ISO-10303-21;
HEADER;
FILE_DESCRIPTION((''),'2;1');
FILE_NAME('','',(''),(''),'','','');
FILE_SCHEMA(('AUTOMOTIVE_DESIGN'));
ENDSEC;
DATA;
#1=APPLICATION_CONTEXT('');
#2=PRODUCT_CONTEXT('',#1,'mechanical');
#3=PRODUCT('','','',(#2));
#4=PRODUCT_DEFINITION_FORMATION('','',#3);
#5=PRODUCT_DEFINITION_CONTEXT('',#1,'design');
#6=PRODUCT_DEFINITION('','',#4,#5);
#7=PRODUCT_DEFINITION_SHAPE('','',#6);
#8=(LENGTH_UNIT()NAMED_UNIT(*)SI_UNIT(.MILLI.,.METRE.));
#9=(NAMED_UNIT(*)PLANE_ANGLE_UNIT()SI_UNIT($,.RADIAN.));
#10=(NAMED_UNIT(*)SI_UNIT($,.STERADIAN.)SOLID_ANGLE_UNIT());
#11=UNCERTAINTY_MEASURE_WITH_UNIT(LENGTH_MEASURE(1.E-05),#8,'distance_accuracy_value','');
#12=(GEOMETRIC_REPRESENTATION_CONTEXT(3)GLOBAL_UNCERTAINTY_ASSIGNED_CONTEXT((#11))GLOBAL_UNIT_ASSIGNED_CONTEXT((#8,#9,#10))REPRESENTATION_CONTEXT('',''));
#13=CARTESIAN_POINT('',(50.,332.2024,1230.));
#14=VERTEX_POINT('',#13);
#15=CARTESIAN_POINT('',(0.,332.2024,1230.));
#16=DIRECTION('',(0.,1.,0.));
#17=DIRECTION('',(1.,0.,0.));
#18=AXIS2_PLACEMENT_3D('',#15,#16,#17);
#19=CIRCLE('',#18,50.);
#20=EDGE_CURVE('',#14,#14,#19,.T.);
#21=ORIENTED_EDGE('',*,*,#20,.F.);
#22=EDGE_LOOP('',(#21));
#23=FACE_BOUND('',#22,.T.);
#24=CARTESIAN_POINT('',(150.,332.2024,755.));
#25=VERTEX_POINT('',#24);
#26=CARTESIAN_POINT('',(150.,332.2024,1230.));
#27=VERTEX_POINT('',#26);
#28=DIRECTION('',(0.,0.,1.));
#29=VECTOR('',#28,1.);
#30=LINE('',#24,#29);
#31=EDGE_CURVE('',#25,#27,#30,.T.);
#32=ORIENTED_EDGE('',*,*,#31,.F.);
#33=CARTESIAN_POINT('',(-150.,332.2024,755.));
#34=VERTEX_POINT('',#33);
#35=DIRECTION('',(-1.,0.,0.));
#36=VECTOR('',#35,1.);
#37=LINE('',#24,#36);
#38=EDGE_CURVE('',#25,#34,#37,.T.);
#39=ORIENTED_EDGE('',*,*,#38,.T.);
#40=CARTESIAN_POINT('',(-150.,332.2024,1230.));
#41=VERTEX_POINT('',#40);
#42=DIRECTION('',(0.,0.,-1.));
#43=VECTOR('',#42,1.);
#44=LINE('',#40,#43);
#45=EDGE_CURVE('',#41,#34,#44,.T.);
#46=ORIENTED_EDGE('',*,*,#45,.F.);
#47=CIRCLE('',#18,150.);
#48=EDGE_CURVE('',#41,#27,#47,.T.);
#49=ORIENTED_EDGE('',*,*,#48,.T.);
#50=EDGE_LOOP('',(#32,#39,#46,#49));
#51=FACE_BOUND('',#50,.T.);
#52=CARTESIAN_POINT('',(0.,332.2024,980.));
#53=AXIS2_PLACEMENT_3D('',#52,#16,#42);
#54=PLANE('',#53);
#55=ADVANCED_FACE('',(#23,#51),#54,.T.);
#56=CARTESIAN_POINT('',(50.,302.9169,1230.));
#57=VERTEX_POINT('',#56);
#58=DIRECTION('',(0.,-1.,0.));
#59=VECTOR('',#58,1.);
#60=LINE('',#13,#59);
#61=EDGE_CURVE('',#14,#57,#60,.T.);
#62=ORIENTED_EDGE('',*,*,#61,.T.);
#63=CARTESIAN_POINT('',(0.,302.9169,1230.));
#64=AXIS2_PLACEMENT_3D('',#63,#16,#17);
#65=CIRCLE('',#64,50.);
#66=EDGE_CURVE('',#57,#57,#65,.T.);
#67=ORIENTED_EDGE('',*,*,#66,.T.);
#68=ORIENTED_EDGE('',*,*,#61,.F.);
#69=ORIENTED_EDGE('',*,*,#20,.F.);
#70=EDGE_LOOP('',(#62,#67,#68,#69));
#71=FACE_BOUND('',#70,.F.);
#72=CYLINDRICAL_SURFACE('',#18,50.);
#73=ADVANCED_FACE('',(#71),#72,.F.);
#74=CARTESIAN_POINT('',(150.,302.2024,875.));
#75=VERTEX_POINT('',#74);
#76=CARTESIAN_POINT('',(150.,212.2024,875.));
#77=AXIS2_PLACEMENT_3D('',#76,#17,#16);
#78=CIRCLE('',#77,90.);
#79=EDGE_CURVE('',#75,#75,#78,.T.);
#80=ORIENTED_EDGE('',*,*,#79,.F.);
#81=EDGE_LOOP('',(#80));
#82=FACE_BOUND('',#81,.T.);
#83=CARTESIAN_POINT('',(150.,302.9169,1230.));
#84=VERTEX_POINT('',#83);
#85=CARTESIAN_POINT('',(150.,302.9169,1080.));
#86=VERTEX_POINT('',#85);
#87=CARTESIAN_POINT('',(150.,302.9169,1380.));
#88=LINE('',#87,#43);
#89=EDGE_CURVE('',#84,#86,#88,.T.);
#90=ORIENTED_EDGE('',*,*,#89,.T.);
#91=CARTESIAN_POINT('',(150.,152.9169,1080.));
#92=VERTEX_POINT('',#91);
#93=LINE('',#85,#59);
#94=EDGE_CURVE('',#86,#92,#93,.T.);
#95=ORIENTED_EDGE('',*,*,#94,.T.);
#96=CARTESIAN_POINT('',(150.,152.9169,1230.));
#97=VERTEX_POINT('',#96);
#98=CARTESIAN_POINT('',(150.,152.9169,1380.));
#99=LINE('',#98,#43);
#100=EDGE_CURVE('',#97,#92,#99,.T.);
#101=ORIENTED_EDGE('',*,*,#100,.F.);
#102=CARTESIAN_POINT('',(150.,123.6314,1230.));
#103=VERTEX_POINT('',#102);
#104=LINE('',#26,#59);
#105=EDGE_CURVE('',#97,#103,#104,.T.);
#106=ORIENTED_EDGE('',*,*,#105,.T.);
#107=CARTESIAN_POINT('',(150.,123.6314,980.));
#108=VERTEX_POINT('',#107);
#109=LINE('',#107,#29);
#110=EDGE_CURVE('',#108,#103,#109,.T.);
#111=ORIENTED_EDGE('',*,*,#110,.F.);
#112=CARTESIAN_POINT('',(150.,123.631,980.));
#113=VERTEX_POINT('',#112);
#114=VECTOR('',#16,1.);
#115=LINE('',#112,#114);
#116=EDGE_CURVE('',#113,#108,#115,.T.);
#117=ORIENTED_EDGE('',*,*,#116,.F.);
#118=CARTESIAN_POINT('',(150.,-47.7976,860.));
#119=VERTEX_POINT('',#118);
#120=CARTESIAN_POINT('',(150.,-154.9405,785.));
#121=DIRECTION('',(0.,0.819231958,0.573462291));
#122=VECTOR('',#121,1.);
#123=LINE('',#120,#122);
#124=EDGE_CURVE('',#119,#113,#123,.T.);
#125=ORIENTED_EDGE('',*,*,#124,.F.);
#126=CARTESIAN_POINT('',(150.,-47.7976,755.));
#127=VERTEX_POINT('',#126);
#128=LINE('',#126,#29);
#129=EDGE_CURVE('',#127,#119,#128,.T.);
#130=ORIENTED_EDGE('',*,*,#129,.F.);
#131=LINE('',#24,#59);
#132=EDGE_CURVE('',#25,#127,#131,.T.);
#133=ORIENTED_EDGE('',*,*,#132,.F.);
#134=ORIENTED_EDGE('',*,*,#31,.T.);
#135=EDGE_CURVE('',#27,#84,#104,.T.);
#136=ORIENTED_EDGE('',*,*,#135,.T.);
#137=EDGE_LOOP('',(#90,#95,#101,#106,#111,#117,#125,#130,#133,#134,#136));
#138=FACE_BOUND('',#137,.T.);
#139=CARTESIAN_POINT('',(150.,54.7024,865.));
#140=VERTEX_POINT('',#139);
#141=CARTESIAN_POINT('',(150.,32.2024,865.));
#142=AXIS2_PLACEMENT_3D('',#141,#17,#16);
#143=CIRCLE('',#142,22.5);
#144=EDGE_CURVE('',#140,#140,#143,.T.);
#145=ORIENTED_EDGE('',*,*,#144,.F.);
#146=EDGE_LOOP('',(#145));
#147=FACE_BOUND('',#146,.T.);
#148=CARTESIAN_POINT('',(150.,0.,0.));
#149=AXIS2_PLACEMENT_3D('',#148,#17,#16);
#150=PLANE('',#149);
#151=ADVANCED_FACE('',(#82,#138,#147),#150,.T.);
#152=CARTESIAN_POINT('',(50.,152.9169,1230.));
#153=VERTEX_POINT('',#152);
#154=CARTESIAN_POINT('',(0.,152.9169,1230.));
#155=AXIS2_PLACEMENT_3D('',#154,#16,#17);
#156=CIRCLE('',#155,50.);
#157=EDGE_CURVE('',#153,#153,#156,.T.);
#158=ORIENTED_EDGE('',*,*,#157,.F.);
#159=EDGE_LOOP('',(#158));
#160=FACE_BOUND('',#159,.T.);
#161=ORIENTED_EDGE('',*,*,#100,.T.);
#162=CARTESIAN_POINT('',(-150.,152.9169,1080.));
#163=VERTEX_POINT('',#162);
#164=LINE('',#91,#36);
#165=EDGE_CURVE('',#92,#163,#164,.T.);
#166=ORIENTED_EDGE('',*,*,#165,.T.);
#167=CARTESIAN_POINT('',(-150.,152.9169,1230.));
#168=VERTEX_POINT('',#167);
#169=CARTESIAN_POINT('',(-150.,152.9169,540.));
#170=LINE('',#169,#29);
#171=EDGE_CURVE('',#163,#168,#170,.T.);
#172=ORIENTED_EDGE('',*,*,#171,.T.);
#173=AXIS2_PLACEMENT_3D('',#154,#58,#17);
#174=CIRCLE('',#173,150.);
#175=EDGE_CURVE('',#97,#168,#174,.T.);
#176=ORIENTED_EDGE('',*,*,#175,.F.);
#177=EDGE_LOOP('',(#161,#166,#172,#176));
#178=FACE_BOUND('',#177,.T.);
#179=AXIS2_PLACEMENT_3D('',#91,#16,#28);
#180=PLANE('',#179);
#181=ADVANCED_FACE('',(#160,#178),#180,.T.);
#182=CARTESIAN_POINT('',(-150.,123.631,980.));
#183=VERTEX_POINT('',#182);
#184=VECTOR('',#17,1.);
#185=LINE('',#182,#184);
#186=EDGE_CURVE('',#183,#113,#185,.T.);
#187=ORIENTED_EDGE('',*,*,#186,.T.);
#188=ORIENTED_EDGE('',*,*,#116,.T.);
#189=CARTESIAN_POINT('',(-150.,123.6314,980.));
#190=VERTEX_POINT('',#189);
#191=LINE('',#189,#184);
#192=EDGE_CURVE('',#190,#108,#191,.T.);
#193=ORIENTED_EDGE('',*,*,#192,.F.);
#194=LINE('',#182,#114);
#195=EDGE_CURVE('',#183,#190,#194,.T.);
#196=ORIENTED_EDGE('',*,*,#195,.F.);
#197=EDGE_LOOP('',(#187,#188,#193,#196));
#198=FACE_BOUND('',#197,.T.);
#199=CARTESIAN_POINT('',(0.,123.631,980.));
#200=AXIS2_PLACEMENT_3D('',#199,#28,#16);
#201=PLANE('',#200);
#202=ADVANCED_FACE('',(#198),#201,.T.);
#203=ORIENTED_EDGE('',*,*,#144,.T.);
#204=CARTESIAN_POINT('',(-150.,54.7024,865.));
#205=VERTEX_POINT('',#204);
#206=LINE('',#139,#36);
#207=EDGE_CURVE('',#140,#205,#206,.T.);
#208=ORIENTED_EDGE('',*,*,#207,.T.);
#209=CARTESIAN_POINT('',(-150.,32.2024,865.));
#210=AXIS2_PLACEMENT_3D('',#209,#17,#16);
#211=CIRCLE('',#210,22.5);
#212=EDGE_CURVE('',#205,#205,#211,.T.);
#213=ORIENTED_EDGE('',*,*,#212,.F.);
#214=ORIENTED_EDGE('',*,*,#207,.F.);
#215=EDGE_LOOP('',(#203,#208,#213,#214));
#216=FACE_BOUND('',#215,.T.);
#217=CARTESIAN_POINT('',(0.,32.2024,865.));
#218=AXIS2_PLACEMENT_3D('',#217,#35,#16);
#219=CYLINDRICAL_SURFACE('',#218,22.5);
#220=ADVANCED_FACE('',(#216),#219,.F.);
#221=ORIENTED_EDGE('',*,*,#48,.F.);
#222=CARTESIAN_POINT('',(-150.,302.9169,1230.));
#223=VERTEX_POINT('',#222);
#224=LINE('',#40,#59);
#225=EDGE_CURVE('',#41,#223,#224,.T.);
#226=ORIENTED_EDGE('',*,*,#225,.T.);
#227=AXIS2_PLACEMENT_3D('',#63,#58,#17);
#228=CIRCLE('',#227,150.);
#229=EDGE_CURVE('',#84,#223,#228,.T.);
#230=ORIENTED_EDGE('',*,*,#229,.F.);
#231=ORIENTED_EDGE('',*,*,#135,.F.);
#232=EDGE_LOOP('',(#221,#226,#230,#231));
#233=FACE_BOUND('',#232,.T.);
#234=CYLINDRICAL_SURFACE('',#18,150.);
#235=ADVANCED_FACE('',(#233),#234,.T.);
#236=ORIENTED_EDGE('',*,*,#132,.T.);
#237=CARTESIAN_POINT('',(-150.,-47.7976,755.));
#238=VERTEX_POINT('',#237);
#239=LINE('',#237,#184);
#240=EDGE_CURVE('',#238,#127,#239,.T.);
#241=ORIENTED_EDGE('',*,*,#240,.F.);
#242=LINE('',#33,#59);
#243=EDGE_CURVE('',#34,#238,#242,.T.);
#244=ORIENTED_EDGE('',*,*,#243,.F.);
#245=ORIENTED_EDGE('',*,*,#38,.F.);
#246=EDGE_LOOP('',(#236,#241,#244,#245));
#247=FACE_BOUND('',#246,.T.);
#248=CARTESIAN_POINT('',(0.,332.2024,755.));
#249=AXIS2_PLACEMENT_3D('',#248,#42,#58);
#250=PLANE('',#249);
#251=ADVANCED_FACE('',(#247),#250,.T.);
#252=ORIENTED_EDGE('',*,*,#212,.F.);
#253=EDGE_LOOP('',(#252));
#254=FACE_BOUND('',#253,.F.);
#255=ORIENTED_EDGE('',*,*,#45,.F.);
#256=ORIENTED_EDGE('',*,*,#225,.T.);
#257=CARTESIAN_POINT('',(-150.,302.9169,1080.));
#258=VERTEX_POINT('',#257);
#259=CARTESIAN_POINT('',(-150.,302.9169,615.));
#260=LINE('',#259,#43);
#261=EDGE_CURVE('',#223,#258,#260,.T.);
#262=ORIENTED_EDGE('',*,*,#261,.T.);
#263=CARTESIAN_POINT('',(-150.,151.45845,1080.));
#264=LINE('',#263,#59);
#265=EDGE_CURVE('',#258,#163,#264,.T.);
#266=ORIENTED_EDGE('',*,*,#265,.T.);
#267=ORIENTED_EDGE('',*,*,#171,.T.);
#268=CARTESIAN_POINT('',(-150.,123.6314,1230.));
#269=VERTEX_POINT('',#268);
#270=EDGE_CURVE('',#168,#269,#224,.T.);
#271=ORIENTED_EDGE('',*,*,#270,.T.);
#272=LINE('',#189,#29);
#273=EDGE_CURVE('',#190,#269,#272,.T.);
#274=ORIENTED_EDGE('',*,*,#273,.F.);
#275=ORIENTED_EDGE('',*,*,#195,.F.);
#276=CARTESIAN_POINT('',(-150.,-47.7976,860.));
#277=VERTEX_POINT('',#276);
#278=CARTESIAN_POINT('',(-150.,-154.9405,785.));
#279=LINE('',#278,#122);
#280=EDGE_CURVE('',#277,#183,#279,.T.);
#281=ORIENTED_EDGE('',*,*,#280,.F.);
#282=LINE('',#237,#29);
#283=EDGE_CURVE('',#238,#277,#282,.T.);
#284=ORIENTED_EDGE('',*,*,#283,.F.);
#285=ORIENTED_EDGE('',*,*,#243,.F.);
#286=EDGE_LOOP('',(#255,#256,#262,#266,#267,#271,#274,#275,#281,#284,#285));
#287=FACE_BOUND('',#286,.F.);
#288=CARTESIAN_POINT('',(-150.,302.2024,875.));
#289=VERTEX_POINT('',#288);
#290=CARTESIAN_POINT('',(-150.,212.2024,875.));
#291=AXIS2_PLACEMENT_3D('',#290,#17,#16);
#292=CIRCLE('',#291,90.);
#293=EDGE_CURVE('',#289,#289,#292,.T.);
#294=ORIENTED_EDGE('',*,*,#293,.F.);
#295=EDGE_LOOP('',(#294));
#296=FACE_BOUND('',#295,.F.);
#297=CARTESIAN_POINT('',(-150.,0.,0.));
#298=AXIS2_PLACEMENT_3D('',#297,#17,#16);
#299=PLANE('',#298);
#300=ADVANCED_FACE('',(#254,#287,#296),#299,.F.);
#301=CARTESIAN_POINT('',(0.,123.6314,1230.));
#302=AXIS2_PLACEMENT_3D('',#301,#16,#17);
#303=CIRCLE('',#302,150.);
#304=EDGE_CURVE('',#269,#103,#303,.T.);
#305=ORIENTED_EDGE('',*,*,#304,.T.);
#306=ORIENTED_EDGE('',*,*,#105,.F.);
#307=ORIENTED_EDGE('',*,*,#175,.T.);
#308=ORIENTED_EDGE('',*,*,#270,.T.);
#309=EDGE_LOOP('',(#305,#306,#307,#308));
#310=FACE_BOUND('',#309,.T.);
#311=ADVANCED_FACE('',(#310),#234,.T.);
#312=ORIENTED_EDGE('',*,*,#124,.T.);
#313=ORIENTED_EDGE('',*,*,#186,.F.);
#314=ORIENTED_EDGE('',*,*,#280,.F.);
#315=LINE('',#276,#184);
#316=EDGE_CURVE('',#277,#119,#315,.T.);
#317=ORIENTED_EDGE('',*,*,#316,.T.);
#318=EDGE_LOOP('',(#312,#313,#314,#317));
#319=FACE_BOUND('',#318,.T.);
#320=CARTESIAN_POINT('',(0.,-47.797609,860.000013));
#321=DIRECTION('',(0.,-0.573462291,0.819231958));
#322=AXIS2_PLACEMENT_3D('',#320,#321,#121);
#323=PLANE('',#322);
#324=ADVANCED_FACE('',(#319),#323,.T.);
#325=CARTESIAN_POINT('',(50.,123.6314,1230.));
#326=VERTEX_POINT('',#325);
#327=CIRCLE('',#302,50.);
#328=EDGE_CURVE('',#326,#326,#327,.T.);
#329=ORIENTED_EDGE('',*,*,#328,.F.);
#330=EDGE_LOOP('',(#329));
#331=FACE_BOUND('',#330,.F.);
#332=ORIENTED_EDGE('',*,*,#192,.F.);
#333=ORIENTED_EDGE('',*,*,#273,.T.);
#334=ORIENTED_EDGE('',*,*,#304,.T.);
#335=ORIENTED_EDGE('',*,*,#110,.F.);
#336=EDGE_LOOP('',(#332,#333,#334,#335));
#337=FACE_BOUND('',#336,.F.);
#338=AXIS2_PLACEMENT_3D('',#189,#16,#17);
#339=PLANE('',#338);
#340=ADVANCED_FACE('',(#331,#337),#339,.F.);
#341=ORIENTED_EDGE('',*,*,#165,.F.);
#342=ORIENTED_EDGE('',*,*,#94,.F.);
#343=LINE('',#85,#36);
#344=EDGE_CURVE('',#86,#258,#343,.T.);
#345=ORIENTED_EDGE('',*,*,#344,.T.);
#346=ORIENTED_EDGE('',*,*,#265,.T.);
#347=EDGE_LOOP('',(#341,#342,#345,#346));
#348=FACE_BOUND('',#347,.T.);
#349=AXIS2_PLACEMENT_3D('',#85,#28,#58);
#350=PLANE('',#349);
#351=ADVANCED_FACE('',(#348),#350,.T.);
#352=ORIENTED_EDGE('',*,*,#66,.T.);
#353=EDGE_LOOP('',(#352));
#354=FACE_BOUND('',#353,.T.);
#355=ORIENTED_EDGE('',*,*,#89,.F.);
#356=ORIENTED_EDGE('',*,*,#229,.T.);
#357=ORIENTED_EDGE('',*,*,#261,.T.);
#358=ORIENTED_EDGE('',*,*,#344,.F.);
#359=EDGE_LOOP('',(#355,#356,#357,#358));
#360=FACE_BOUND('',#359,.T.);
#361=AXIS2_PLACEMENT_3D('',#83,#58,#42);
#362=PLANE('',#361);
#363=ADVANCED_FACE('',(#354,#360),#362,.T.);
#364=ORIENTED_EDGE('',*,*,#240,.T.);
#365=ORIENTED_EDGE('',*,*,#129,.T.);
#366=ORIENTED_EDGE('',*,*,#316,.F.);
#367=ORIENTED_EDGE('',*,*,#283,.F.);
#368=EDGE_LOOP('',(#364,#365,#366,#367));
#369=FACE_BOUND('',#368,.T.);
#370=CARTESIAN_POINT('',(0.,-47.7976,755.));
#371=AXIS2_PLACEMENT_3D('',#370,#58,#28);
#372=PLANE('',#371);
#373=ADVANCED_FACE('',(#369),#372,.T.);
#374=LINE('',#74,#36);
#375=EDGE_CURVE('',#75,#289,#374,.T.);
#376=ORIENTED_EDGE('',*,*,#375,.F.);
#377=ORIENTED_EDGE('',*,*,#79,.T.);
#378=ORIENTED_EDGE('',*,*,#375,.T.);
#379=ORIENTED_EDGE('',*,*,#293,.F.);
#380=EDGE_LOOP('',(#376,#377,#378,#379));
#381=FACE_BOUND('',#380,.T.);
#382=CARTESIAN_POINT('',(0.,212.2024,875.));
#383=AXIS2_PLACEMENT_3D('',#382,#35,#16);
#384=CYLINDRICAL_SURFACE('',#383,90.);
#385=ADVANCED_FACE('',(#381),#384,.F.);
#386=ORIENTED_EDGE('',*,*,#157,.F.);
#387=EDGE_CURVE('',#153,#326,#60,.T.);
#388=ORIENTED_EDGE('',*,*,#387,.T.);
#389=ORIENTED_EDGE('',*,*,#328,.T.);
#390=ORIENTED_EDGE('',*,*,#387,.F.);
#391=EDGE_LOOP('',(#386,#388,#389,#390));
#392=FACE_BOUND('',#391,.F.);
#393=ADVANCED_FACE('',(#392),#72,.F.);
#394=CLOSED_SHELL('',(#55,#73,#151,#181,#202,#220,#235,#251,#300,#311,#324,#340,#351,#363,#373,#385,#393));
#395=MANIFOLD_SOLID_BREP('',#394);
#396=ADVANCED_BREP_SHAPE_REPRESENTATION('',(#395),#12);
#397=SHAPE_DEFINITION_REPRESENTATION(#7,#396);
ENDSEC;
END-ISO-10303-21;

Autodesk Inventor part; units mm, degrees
ref_plane "YZ Plane" through (0, 0, 0) normal (1, 0, 0) x (0, 1, 0)
ref_plane "XZ Plane" through (0, 0, 0) normal (0, 1, 0) x (-1, 0, 0)
ref_plane "XY Plane" through (0, 0, 0) normal (0, 0, 1) x (1, 0, 0)
sketch "草圖1" plane through (0, 0, 0) normal (1, 0, 0) x (0, 1, 0)
  circle A0 centre (212.2024, 875) radius 90
  line L0 (152.2024, 1000) -> (352.2024, 1000)
  line L1 (352.2024, 1000) -> (352.2024, 785)
  circle A1 centre (32.2024, 865) radius 22.5
  line L2 (-154.9405, 785) -> (152.2024, 1000)
  line L3 (352.2024, 735) -> (352.2024, 1000)
  line L4 (-226.369, 735) -> (352.2024, 735)
  line L5 (152.2024, 1000) -> (-226.369, 735)
  line L6 (123.631, 980) -> (332.2024, 980)
  line L7 (332.2024, 980) -> (332.2024, 755)
  line L8 (332.2024, 755) -> (-47.7976, 755)
  line L9 (-47.7976, 755) -> (-47.7976, 860)
  line L10 (-47.7976, 860) -> (123.631, 980)
  circle A2 centre (212.2024, 875) radius 90
  circle A3 centre (32.2024, 865) radius 22.5
  point P0 (0, 0)
  dimension "d8" = 20
  dimension "d9" = 20
  dimension "d10" = 20
  dimension "d11" = 400
extrude "擠出1" add sketch "草圖1" along normal mid plane 300 contours L6 L7 L8 L9 L2
sketch "草圖2" plane through (-150, 332.2024, 980) normal (0, 1, 0) x (1, 0, 0)
  line L0 (0, 0) -> (300, 0) projected
  line L1 (300, 225) -> (300, 0) projected
  line L2 (300, 225) -> (0, 225) projected
  line L3 (0, 0) -> (0, 225) projected
  circle A0 centre (150, -250) radius 50
  circle A1 centre (150, -250) radius 150
  line L4 (0, 0) -> (300, 0) projected
  line L5 (0, 0) -> (0, -250)
  line L6 (300, 225) -> (300, 0) projected
  line L7 (300, 0) -> (300, -250)
  point P0 (150, 980)
  point P1 (150, 0)
  dimension "d14" = 250
  dimension "d15" = 100
extrude "擠出2" add sketch "草圖2" against normal blind 208.571 contours L0 L7 A1 L5 | A1
sketch "草圖3" plane through (150, 0, 0) normal (1, 0, 0) x (0, 0, -1)
  line L0 (-1230, 332.2024) -> (-1230, 332.2024) projected
  line L1 (-1230, 332.2024) -> (-1230, 123.6314) projected
  line L2 (-1230, 123.6314) -> (-1230, 123.6314) projected
  line L3 (-1230, 332.2024) -> (-1230, 123.6314) projected
  line L4 (-755, 332.2024) -> (-1230, 332.2024) projected
  line L5 (-1230, 332.2024) -> (-1230, 123.6314) projected
  line L6 (-980, 123.6314) -> (-1230, 123.6314) projected
  line L7 (-980, 123.6314) -> (-980, 123.631) projected
  line L8 (-980, 123.631) -> (-860, -47.7976) projected
  line L9 (-860, -47.7976) -> (-755, -47.7976) projected
  line L10 (-755, -47.7976) -> (-755, 332.2024) projected
  circle A0 centre (-875, 212.2024) radius 90 projected
  circle A1 centre (-865, 32.2024) radius 22.5 projected
  line L11 (-1380, 302.9169) -> (-1080, 302.9169)
  line L12 (-1080, 302.9169) -> (-1080, 152.9169)
  line L13 (-1080, 152.9169) -> (-1380, 152.9169)
  line L14 (-1380, 152.9169) -> (-1380, 302.9169)
  line L15 (-1380, 332.2024) -> (-1380, 123.6314) projected
  line L16 (-1380, 123.6314) -> (-1230, 123.6314) projected
  line L17 (-1230, 332.2024) -> (-1380, 332.2024) projected
  point P0 (0, 0)
  point P1 (-1380, 227.9169)
  point P2 (-1230, 227.9169)
  dimension "d18" = 150
  dimension "d19" = 300
extrude "擠出3" cut sketch "草圖3" against normal through all contours L11 L12 L13 L1 | L1 L13 L14 L11
thread "螺紋1" size "M45x4.5" class "6H" standard "ANSI Metric M Profile" full length
sketch "草圖4" plane through (150, 152.9169, 1230) normal (0, 1, 0) x (1, 0, 0)
  line L0 (0, 150) -> (-300, 150) projected
  line L1 (-300, 0) -> (-300, 150) projected
  arc A0 (-300, 0) -> (0, 0) centre (-150, 0) ccw projected
  line L2 (0, 150) -> (0, 0) projected
  line L3 (0, 287.2857) -> (0, 150) projected
  line L4 (-300, 287.2857) -> (0, 287.2857) projected
  line L5 (-300, 150) -> (-300, 287.2857) projected
  line L6 (-300, 422.7143) -> (-300, 475) projected
  line L7 (-300, 475) -> (0, 475) projected
  line L8 (0, 475) -> (0, 422.7143) projected
  line L9 (0, 422.7143) -> (-300, 422.7143) projected
  circle A1 centre (-150, 0) radius 50 projected
  point P0 (-150, 1230)
properties part number "萬象塊"
